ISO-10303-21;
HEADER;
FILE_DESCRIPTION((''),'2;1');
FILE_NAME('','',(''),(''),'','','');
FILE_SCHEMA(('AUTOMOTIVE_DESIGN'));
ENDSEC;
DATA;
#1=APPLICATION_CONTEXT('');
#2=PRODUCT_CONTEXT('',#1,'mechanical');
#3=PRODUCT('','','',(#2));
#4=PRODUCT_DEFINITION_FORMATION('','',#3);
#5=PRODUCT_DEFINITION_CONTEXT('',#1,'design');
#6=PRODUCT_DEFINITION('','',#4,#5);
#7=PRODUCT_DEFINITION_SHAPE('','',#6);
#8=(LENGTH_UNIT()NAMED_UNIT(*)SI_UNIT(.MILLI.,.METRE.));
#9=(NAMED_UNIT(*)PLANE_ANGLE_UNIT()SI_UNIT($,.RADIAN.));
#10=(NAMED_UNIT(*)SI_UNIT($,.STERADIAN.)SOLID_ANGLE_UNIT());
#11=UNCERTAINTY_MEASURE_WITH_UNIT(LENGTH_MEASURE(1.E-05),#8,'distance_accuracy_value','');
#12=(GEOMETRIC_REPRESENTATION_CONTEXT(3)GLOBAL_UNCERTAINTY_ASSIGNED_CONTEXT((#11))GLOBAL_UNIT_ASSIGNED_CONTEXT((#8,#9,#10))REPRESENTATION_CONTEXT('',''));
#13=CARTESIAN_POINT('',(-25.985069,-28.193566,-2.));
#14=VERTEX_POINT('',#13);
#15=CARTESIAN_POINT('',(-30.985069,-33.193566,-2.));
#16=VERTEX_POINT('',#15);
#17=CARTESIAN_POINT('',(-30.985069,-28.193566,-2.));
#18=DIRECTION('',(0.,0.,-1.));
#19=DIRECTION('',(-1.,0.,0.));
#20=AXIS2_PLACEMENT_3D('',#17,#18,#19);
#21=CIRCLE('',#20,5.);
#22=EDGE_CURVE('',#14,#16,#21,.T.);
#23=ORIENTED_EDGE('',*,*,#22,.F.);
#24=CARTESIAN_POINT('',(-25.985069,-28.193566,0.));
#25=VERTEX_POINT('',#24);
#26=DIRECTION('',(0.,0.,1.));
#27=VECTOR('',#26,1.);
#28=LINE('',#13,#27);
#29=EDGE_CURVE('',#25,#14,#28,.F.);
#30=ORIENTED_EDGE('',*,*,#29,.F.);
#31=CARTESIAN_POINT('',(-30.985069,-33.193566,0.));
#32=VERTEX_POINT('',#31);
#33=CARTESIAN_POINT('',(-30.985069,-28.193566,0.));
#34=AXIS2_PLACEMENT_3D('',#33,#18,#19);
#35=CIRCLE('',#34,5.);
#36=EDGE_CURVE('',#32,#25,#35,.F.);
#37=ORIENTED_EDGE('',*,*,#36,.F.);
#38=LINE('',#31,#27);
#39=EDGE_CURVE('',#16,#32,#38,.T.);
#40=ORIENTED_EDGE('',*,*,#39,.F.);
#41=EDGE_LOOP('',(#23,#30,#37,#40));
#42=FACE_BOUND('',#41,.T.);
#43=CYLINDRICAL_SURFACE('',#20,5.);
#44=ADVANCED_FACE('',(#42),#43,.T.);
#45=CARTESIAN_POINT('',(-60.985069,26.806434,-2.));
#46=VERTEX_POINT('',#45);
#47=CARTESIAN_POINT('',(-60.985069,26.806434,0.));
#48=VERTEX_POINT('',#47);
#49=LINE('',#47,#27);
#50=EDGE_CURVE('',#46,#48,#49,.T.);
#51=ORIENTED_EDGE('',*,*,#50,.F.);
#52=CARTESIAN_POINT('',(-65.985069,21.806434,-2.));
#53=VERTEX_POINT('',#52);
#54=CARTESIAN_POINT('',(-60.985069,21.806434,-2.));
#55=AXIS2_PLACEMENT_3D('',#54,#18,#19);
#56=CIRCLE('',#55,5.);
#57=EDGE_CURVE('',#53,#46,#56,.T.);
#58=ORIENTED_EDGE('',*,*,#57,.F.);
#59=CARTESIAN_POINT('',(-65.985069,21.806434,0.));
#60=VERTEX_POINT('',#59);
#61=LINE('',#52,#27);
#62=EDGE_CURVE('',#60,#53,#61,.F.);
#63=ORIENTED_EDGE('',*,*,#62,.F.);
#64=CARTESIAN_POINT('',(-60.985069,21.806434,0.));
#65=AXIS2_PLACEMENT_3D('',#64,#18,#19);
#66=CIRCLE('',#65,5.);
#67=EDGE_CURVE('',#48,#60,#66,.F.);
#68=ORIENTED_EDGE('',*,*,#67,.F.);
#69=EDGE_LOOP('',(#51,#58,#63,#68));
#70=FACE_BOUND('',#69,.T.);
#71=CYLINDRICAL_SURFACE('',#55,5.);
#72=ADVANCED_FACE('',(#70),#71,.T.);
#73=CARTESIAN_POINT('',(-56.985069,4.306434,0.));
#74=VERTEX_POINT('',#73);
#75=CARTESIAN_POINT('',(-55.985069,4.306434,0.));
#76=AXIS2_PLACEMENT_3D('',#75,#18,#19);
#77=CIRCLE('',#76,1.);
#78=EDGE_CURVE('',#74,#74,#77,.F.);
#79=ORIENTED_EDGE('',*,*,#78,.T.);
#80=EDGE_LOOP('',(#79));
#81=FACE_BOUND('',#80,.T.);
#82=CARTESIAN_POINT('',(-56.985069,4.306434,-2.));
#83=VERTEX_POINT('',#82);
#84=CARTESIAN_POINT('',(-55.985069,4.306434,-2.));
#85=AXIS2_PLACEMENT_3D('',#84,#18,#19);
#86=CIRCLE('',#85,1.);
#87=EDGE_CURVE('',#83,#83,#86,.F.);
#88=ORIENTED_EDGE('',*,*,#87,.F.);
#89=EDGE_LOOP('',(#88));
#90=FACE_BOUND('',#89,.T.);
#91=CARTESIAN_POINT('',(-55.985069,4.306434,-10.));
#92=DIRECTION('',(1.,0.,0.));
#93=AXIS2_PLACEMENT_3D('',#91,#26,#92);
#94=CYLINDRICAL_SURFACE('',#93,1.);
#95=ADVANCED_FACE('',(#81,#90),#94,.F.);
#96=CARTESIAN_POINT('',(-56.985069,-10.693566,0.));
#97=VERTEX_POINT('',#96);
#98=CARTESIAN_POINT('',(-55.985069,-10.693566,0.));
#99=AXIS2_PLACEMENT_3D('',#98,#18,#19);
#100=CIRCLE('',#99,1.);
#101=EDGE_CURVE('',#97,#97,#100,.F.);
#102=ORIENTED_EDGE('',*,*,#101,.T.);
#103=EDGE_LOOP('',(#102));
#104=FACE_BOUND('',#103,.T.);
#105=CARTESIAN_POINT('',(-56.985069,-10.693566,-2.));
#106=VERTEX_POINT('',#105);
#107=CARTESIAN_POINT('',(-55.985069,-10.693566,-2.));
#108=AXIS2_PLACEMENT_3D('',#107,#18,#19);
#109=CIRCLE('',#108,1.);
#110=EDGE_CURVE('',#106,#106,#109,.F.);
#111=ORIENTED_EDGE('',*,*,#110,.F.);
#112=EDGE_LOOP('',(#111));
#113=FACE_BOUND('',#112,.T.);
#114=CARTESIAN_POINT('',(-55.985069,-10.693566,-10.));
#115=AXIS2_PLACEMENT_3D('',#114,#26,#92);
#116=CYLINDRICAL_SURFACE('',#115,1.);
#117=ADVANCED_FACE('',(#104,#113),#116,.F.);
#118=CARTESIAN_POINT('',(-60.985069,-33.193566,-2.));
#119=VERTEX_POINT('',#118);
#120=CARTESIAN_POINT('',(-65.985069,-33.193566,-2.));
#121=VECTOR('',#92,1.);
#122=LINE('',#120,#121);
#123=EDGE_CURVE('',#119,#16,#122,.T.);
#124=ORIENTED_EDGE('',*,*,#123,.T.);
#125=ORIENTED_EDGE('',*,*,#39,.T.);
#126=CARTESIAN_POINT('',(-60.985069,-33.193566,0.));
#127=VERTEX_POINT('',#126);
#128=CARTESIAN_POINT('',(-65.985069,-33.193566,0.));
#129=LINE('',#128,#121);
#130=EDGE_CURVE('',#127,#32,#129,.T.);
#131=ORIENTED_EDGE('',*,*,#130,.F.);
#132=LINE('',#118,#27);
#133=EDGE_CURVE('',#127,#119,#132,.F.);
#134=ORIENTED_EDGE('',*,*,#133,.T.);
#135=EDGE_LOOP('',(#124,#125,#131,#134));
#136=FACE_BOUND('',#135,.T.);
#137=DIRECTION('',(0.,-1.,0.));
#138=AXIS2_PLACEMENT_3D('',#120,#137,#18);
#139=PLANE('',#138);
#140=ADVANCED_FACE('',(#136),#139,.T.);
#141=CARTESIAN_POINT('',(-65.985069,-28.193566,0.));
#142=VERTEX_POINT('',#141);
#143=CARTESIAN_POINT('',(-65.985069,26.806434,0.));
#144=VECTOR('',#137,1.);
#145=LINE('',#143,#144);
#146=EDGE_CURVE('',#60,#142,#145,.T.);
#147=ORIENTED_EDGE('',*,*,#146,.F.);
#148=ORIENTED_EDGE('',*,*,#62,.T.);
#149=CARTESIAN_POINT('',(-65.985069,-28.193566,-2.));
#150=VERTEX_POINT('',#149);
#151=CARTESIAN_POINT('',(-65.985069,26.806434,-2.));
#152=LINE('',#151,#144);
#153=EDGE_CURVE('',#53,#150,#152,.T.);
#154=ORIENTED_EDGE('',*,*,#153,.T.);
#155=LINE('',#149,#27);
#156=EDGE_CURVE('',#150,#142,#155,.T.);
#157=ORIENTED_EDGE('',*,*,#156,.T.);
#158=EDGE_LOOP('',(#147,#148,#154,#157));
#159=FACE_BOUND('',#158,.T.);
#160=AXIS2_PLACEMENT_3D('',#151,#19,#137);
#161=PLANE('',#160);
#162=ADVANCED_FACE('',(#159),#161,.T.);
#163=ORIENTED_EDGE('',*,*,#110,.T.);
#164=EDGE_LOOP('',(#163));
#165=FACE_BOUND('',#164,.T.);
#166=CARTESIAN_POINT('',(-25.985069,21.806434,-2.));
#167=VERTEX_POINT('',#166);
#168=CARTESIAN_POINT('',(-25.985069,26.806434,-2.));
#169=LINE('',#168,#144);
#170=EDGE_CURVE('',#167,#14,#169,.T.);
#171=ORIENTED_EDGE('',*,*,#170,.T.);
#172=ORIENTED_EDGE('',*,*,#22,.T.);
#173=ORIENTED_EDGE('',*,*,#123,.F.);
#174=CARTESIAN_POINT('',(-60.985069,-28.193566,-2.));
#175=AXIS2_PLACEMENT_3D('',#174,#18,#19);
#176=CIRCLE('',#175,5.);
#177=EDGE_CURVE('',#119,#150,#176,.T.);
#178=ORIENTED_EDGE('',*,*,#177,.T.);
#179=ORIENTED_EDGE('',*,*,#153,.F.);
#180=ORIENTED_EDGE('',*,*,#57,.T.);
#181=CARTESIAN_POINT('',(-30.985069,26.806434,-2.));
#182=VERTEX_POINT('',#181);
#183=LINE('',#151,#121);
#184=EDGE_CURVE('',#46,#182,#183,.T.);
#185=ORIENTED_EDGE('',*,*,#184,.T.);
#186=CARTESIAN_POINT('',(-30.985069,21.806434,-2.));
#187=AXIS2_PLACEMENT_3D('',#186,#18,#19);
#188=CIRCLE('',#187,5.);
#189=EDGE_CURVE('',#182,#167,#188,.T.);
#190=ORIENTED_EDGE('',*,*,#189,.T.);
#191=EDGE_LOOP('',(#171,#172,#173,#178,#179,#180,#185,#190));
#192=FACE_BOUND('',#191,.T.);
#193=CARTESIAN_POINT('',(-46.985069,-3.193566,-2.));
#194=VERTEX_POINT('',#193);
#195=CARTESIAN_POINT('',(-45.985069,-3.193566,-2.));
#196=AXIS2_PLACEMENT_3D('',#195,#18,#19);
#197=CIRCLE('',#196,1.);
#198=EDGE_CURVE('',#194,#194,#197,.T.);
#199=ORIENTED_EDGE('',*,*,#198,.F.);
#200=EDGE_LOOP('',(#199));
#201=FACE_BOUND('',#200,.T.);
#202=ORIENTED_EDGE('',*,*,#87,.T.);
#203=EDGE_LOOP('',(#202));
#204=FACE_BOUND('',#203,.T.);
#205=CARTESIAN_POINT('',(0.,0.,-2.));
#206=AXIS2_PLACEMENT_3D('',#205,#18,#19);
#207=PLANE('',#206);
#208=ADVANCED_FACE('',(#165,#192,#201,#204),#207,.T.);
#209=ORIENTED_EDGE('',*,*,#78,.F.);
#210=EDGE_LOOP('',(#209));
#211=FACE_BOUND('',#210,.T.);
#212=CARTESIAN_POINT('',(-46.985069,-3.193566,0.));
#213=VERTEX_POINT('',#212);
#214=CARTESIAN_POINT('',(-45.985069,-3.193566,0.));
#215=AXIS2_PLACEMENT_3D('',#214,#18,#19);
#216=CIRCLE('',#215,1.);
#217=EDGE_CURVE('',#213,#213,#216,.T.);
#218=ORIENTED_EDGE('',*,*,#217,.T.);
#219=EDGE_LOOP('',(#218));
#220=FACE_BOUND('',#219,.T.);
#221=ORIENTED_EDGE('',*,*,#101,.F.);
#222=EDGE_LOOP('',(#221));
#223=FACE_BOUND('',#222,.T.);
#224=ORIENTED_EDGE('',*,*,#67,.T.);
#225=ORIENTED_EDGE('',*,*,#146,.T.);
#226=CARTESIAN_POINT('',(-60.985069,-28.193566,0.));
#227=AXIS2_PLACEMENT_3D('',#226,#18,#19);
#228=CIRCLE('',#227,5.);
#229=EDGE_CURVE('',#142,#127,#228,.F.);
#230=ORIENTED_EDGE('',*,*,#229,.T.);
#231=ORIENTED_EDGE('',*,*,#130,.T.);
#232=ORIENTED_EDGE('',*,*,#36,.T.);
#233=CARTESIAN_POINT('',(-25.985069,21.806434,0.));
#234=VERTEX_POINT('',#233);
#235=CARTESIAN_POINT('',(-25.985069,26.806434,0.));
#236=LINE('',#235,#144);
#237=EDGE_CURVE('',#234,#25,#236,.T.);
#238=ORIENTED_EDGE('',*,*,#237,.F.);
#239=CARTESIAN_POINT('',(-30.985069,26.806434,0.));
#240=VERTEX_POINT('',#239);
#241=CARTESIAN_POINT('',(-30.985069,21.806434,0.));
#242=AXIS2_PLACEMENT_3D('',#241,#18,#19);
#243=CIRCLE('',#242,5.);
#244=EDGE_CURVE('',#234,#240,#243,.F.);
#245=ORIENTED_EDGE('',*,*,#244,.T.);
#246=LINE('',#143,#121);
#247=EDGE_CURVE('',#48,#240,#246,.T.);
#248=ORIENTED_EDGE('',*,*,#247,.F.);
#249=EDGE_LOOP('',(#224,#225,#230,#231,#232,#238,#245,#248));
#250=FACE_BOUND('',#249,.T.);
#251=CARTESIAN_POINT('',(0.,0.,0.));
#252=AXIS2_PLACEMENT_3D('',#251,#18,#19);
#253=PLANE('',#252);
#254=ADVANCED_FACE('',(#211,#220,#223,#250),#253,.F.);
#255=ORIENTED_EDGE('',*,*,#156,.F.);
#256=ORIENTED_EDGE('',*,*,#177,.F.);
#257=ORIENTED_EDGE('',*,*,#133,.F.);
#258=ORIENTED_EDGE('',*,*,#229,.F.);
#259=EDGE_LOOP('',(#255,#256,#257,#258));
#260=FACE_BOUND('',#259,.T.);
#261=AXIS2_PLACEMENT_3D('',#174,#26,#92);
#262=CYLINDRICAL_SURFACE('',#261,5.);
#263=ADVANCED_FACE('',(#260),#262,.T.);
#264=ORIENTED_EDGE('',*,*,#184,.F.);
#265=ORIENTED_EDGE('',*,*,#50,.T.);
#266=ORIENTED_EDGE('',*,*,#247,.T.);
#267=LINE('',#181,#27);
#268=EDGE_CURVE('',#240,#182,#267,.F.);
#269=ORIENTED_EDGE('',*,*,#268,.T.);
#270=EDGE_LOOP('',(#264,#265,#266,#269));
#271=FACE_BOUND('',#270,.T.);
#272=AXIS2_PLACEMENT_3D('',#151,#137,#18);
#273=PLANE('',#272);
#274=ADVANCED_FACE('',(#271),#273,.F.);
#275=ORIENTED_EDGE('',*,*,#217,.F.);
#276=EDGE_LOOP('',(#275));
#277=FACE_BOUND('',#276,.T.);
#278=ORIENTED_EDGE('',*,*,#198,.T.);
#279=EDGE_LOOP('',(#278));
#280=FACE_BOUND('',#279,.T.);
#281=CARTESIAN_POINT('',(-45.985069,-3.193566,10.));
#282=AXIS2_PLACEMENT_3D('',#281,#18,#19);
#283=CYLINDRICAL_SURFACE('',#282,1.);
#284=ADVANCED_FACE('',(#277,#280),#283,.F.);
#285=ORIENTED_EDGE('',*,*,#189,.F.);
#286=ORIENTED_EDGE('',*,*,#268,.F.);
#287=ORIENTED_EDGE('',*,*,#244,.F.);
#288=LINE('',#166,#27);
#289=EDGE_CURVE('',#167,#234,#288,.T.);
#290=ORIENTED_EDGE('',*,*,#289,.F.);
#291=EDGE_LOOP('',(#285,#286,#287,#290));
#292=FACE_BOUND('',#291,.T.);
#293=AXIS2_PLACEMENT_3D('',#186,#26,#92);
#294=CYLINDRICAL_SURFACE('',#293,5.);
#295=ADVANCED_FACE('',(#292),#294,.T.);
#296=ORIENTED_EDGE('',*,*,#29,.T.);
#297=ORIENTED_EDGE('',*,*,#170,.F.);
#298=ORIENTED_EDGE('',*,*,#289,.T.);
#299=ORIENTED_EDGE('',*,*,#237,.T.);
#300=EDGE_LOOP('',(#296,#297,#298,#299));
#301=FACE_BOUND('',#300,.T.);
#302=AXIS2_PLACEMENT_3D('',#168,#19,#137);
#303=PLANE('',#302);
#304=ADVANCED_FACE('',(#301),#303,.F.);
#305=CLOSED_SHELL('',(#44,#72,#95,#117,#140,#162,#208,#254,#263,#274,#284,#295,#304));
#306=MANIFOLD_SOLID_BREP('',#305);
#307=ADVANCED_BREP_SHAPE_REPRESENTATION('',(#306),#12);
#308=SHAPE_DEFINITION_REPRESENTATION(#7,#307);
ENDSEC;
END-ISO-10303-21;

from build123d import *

# Parameters (mm, degrees)
SKETCH1_W               = 40
SKETCH1_H               = 60
BOSS_EXTRUDE4_DEPTH     = 2
FILLET1_R               = 5
SKETCH12_R              = 1
CUT_EXTRUDE6_DEPTH      = 12
CUT_EXTRUDE7_DEPTH      = 8
CUT_EXTRUDE7_DEPTH_BACK = 10
SKETCH13_R              = 1


with BuildPart() as part:
    # Sketch1 → Boss-Extrude4 (new body)
    with BuildSketch(Plane.XY):
        with Locations((-45.9850693, -3.193565597)):
            Rectangle(SKETCH1_W, SKETCH1_H)
    extrude(amount=-BOSS_EXTRUDE4_DEPTH)

    # Fillet1
    fillet1_edges = [part.edges().sort_by_distance(p)[0] for p in [
        (-65.9850693, 26.806434403, -1),
        (-65.9850693, -33.193565597, -1),
        (-25.9850693, -33.193565597, -1),
        (-25.9850693, 26.806434403, -1),
    ]]
    fillet(fillet1_edges, radius=FILLET1_R)

    # Sketch12 → Cut-Extrude6 (cut)
    with BuildSketch(Plane(origin=(0, 0, -2), x_dir=(-1, 0, 0), z_dir=(0, 0, -1))):
        with Locations((45.9850693, -3.193565597)):
            Circle(SKETCH12_R)
    extrude(amount=-CUT_EXTRUDE6_DEPTH, mode=Mode.SUBTRACT)

    # Sketch13 → Cut-Extrude7 (cut, two sides: drawn at the far end of the back side and taken through both)
    with BuildSketch(Plane(origin=(0, 0, -2), x_dir=(-1, 0, 0), z_dir=(0, 0, -1)).offset(-CUT_EXTRUDE7_DEPTH_BACK)):
        with Locations((55.9850693, 4.306434403)):
            Circle(SKETCH13_R)
        with Locations((55.9850693, -10.693565597)):
            Circle(SKETCH13_R)
    extrude(amount=CUT_EXTRUDE7_DEPTH + CUT_EXTRUDE7_DEPTH_BACK, mode=Mode.SUBTRACT)


solid = part.part
